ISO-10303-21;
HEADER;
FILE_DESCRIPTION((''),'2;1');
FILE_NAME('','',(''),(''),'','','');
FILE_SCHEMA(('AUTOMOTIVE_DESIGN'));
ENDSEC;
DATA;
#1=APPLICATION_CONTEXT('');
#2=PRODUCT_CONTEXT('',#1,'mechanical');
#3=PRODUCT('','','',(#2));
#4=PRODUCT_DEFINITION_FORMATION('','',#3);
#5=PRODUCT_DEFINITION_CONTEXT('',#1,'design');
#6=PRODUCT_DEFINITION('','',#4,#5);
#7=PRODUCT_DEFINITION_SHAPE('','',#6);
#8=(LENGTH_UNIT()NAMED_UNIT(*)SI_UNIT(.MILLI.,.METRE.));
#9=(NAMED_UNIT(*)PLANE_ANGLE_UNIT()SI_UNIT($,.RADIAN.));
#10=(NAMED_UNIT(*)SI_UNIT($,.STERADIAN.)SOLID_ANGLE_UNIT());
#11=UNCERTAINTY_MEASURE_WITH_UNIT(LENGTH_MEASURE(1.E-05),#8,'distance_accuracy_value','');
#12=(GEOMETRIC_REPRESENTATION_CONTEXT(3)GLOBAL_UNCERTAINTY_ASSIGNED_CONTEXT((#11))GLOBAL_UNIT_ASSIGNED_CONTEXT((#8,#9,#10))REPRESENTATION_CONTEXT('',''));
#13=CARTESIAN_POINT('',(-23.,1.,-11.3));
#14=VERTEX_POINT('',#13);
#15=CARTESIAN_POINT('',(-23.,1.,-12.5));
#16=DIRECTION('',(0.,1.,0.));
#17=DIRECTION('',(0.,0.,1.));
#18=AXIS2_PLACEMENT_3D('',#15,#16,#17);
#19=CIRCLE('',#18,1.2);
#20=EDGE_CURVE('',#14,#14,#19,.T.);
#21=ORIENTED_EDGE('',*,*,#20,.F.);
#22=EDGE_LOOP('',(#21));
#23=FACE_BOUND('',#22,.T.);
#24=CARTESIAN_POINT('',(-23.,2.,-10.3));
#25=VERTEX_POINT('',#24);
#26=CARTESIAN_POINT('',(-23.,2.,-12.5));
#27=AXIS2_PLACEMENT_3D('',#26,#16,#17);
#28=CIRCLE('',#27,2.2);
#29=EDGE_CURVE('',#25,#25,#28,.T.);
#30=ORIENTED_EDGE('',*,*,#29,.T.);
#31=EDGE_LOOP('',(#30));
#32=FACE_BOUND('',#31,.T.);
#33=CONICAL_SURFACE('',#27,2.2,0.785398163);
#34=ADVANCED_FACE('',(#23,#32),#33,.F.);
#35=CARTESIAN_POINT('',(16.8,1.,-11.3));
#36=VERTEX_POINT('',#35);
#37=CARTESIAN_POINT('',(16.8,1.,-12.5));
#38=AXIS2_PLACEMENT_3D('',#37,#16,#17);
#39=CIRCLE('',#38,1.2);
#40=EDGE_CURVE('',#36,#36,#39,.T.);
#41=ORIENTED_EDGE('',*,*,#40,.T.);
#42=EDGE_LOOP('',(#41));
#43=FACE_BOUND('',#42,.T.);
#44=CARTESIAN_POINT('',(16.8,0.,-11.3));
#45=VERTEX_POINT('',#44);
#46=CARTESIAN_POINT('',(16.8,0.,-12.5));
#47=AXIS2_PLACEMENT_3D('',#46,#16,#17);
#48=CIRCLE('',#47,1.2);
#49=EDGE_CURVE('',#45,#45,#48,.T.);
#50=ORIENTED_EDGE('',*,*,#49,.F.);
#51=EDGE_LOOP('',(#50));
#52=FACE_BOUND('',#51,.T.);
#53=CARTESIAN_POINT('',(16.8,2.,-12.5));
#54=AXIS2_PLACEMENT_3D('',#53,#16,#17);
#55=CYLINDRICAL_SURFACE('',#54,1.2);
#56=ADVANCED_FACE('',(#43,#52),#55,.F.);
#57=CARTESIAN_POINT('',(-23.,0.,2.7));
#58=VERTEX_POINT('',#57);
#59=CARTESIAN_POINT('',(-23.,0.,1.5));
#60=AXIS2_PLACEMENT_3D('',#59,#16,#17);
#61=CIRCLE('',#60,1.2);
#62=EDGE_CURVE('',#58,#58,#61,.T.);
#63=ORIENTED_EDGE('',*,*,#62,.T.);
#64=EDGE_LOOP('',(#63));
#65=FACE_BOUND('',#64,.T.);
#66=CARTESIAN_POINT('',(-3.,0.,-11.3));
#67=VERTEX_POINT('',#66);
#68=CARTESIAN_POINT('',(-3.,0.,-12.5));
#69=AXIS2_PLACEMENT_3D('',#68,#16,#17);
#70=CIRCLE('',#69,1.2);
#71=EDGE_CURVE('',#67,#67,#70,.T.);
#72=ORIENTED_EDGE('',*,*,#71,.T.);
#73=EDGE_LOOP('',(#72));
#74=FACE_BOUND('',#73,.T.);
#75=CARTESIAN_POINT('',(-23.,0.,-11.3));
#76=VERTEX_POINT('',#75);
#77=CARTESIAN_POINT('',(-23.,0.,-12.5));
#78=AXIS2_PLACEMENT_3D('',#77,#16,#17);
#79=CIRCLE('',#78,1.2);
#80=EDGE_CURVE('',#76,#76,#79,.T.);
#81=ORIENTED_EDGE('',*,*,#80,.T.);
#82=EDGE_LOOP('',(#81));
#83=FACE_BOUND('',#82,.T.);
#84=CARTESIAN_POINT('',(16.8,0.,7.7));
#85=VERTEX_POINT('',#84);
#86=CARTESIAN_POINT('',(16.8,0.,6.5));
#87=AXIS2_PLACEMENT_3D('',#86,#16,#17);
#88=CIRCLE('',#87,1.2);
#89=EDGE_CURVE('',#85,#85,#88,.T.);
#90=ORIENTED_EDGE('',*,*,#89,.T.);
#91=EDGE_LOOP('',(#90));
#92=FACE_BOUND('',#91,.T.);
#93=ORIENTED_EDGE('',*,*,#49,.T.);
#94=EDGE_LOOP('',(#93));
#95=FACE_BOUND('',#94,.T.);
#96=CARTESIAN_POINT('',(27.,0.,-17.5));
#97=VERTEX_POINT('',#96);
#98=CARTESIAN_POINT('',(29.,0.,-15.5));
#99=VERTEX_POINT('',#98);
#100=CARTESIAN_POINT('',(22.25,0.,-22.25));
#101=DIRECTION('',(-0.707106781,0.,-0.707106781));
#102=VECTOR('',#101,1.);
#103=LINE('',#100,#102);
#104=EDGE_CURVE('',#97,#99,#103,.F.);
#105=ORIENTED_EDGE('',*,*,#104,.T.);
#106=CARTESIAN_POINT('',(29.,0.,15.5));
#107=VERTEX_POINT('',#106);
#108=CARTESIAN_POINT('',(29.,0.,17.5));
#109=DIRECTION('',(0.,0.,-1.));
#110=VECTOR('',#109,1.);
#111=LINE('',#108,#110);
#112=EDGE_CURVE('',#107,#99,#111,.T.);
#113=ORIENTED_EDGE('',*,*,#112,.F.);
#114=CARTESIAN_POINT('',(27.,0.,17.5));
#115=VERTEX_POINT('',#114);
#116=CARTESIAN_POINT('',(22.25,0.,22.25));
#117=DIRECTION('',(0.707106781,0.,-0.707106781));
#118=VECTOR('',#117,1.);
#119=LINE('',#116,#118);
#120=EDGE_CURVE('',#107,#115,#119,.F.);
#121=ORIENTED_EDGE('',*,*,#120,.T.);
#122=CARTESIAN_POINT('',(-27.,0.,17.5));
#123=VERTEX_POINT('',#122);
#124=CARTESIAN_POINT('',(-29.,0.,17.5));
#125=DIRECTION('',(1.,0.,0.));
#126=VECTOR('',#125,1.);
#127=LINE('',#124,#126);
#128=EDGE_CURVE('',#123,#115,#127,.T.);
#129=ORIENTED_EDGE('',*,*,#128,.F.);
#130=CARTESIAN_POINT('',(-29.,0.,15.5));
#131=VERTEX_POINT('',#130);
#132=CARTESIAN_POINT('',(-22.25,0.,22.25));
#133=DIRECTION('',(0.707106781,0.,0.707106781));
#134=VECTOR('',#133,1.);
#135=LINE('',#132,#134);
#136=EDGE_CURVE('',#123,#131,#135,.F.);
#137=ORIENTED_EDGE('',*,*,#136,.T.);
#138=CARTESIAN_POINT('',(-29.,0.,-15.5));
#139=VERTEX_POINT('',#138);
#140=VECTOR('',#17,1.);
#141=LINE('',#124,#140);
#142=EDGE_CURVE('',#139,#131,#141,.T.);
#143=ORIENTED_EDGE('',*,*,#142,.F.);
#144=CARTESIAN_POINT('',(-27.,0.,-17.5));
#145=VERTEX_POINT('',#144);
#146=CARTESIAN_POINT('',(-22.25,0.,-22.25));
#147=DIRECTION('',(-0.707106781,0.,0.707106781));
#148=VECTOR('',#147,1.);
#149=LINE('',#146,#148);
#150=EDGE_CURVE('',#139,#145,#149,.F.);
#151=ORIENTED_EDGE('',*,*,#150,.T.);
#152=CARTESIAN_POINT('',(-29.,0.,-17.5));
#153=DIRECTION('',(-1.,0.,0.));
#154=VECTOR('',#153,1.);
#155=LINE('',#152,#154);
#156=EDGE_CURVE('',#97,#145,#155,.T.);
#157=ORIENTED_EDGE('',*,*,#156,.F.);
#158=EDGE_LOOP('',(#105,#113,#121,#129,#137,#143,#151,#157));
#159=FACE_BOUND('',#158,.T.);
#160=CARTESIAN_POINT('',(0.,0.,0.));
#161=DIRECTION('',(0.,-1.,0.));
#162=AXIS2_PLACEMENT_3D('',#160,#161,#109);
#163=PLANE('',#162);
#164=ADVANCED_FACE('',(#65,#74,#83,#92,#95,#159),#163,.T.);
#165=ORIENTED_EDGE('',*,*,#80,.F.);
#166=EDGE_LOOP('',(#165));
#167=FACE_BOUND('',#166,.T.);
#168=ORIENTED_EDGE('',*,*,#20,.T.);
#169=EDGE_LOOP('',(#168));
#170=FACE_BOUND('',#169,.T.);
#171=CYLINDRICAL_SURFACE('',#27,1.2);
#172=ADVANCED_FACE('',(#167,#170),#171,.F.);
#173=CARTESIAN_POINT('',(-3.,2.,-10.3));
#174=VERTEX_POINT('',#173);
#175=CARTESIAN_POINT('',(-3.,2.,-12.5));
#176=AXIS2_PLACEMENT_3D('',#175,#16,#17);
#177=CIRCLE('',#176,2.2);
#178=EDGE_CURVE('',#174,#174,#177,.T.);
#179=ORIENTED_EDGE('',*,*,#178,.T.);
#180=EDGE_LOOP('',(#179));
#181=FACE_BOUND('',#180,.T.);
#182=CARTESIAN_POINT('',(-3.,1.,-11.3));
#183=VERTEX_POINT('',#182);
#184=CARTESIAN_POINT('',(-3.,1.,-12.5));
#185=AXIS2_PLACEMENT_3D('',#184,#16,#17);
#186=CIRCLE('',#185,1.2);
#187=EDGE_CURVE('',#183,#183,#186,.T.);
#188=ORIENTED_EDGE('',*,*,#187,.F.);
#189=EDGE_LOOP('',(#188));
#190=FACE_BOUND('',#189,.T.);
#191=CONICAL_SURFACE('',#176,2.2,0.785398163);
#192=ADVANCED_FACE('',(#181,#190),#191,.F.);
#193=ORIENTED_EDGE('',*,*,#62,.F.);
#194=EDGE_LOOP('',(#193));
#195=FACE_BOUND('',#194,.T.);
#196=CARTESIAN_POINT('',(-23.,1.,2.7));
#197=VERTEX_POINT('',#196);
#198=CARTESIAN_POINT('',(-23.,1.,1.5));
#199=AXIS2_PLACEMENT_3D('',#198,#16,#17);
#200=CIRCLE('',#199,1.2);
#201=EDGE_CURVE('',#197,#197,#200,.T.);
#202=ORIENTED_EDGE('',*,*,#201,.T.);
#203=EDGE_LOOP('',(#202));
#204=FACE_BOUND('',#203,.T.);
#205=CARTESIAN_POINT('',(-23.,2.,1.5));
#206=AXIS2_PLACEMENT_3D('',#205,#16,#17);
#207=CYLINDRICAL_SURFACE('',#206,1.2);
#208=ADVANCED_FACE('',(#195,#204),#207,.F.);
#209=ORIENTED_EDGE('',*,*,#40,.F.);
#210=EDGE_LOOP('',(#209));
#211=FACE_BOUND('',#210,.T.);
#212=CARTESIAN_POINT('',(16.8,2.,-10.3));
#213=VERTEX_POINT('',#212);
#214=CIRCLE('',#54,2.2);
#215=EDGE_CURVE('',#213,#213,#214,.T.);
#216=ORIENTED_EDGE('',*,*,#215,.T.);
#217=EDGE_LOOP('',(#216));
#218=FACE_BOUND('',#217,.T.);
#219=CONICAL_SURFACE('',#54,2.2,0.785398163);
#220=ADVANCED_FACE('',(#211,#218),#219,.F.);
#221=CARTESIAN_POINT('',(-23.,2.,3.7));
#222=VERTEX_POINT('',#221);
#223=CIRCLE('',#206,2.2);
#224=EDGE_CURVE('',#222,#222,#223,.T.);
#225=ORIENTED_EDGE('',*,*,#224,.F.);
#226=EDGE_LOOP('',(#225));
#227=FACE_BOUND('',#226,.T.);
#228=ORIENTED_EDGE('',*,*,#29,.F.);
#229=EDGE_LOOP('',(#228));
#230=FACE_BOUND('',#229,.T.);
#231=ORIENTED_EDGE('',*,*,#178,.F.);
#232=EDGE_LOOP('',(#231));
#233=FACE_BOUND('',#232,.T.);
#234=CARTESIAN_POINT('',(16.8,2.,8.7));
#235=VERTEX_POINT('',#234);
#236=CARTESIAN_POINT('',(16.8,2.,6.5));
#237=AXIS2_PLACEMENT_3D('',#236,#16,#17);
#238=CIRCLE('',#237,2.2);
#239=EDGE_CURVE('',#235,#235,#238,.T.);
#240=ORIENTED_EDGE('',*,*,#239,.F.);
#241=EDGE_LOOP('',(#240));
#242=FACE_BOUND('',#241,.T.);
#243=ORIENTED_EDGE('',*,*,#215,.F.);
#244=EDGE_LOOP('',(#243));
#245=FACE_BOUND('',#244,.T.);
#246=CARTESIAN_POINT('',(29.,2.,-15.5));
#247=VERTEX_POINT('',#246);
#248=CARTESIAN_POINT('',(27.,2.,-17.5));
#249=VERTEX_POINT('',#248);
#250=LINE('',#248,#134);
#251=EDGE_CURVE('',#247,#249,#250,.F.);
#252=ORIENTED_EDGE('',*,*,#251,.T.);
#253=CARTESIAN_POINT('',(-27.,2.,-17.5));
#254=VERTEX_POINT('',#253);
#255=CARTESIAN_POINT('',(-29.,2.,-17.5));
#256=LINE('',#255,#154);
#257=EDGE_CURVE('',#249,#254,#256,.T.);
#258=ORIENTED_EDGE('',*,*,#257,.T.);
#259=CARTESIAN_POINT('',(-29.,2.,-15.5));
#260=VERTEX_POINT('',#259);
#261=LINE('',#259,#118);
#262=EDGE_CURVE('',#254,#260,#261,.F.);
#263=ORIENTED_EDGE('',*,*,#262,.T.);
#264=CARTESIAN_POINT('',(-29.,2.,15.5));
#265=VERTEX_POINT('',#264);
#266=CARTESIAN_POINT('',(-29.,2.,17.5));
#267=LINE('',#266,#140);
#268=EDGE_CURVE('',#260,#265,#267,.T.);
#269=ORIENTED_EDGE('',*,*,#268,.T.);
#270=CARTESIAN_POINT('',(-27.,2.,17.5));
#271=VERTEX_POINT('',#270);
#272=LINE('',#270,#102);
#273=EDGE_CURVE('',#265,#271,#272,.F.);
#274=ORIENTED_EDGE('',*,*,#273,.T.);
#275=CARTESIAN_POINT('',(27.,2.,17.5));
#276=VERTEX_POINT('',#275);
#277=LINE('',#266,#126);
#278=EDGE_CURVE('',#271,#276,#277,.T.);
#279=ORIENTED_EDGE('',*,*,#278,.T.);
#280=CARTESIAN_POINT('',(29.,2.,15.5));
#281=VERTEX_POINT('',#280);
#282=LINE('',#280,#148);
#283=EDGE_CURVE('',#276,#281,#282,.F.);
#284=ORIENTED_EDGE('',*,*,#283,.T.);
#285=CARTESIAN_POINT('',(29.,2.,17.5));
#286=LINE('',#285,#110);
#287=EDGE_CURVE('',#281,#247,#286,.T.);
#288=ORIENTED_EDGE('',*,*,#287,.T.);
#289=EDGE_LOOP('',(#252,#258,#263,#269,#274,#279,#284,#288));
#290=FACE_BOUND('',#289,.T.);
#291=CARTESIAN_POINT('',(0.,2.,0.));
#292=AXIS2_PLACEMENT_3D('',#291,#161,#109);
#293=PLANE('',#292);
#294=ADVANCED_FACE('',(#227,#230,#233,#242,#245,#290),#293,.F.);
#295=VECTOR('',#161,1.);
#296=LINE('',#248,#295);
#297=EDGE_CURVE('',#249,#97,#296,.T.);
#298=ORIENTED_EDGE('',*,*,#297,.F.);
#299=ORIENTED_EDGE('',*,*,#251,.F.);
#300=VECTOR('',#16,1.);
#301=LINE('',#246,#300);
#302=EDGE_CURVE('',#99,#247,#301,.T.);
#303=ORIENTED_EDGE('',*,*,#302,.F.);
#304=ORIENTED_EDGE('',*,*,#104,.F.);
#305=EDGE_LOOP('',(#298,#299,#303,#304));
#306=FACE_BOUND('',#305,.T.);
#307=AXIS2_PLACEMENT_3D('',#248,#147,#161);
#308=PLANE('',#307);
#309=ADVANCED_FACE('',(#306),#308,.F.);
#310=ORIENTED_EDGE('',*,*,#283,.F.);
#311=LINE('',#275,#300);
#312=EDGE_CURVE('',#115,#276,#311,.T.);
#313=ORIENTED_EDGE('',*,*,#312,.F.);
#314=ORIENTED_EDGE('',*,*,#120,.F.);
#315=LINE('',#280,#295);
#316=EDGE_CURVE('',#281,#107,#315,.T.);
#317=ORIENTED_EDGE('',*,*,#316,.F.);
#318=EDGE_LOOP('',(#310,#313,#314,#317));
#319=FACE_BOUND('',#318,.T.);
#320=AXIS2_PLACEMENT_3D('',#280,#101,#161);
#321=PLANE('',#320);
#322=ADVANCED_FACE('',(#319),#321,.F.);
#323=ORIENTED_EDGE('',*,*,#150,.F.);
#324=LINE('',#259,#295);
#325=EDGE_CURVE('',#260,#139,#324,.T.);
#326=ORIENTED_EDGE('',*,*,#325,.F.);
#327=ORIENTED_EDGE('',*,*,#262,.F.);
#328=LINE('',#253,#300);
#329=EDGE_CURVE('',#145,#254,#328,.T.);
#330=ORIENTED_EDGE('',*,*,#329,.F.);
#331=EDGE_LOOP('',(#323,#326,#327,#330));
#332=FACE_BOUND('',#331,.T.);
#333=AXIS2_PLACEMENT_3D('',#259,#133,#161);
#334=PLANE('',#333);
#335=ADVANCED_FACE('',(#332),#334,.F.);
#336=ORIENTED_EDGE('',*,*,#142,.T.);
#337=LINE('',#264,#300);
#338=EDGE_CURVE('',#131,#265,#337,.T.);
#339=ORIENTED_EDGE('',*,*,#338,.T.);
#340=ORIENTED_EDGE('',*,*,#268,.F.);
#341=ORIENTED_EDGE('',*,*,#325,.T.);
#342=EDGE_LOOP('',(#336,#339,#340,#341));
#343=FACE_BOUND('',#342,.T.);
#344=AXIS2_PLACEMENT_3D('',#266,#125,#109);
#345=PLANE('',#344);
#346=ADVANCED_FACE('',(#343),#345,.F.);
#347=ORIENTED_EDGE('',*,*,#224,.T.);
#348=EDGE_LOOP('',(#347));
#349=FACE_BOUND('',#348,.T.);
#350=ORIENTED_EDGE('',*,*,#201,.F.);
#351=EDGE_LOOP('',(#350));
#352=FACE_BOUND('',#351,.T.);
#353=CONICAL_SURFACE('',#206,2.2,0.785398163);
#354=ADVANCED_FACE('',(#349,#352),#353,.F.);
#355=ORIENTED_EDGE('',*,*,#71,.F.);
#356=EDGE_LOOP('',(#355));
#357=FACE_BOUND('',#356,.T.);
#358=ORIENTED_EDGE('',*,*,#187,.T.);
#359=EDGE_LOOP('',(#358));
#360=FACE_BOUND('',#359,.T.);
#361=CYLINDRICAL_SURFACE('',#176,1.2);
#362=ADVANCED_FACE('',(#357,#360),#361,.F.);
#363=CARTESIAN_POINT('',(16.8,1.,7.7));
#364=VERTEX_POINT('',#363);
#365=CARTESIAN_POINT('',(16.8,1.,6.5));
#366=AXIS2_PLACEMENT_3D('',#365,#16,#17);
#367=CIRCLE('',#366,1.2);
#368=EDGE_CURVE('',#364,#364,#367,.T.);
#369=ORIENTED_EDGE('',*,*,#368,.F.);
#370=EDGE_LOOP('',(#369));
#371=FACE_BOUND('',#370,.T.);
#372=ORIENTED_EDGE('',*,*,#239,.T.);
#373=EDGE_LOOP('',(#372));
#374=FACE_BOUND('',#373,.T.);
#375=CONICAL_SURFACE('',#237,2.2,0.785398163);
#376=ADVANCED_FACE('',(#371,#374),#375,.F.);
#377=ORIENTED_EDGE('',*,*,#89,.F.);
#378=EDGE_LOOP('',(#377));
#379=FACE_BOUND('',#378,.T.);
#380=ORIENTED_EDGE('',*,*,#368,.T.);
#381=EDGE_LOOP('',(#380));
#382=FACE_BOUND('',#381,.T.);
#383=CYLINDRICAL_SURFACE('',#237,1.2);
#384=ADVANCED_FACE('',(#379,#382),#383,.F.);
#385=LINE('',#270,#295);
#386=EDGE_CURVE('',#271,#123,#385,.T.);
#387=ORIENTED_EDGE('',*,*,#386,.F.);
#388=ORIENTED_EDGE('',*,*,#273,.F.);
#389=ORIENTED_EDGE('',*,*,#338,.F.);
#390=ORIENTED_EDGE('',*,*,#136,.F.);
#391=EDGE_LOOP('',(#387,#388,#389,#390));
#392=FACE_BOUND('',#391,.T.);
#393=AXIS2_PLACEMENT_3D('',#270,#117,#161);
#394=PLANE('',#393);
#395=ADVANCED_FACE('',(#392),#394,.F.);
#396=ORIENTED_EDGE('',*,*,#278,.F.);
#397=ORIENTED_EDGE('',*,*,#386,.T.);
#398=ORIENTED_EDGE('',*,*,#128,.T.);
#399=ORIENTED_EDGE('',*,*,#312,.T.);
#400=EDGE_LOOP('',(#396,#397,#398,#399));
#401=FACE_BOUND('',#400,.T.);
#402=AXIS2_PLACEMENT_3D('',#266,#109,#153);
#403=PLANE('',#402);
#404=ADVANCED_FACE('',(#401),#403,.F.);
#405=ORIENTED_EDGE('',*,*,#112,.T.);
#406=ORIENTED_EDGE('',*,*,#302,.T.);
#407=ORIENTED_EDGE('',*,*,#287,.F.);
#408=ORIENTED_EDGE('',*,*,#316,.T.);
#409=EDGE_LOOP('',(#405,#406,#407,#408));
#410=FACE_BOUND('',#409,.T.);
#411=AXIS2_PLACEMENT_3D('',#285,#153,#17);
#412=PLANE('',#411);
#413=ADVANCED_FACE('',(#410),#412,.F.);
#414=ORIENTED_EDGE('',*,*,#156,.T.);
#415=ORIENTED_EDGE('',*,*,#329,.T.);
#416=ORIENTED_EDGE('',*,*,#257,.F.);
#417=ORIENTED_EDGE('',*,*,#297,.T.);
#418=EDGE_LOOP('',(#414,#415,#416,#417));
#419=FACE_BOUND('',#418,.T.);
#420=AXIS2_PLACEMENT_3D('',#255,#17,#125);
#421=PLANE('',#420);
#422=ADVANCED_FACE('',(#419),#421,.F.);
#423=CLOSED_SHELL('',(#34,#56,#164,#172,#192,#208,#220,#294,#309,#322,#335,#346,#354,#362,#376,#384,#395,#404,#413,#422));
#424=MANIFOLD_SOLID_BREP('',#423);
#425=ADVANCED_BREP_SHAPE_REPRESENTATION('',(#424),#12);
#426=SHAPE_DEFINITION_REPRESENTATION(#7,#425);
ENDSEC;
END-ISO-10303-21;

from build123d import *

# Parameters (mm, degrees)
SKETCH1_W                                    = 58
SKETCH1_H                                    = 35
BOSS_EXTRUDE1_DEPTH                          = 2
CSK_FOR_ST2_2_CROSS_RECESSED_CTSK_HE_2_COUNT = 2
CSK_FOR_ST2_2_CROSS_RECESSED_CTSK_HE_2_PITCH = 20
CSK_FOR_ST2_2_CROSS_RECESSED_CTSK_HE_3_COUNT = 2
CSK_FOR_ST2_2_CROSS_RECESSED_CTSK_HE_3_PITCH = 39.8
CSK_FOR_ST2_2_CROSS_RECESSED_CTSK_HE_4_COUNT = 2
CSK_FOR_ST2_2_CROSS_RECESSED_CTSK_HE_4_PITCH = 44.102607633
CSK_FOR_ST2_2_CROSS_RECESSED_CTSK_HE_5_COUNT = 2
CSK_FOR_ST2_2_CROSS_RECESSED_CTSK_HE_5_PITCH = 14
CHAMFER1_SIZE                                = 2


with BuildPart() as part:
    # Sketch1 → Boss-Extrude1 (new body)
    with BuildSketch(Plane(origin=(0, 0, 0), x_dir=(1, 0, 0), z_dir=(0, 1, 0))):
        Rectangle(SKETCH1_W, SKETCH1_H)
    extrude(amount=BOSS_EXTRUDE1_DEPTH)

    # Sketch3 → CSK for ST2.2 Cross recessed CTSK head tapping screws1 (revolve, cut)
    with BuildSketch(Plane(origin=(-23, 2, -12.5), x_dir=(0, 0, 1), z_dir=(1, 0, 0))):
        Polygon((0, 0), (0, 2), (1.2, 2), (1.2, 1), (2.2, 0), align=None)
    csk_for_st2_2_cross_recessed_ctsk_head_t = revolve(axis=Axis((-23, 8.35, -12.5), (0, -1, 0)), mode=Mode.SUBTRACT)

    # CSK for ST2.2 Cross recessed CTSK he 2: CSK for ST2.2 Cross recessed CTSK head tapping screws1 ×2
    with Locations(*[(i * CSK_FOR_ST2_2_CROSS_RECESSED_CTSK_HE_2_PITCH, 0, 0) for i in range(1, CSK_FOR_ST2_2_CROSS_RECESSED_CTSK_HE_2_COUNT)]):
        add(csk_for_st2_2_cross_recessed_ctsk_head_t, mode=Mode.SUBTRACT)

    # CSK for ST2.2 Cross recessed CTSK he 3: CSK for ST2.2 Cross recessed CTSK head tapping screws1 ×2
    with Locations(*[(i * CSK_FOR_ST2_2_CROSS_RECESSED_CTSK_HE_3_PITCH, 0, 0) for i in range(1, CSK_FOR_ST2_2_CROSS_RECESSED_CTSK_HE_3_COUNT)]):
        add(csk_for_st2_2_cross_recessed_ctsk_head_t, mode=Mode.SUBTRACT)

    # CSK for ST2.2 Cross recessed CTSK he 4: CSK for ST2.2 Cross recessed CTSK head tapping screws1 ×2
    with Locations(*[Vector(0.9024409697382602, 0, 0.4308135282670086) * (i * CSK_FOR_ST2_2_CROSS_RECESSED_CTSK_HE_4_PITCH) for i in range(1, CSK_FOR_ST2_2_CROSS_RECESSED_CTSK_HE_4_COUNT)]):
        add(csk_for_st2_2_cross_recessed_ctsk_head_t, mode=Mode.SUBTRACT)

    # CSK for ST2.2 Cross recessed CTSK he 5: CSK for ST2.2 Cross recessed CTSK head tapping screws1 ×2
    with Locations(*[(0, 0, i * CSK_FOR_ST2_2_CROSS_RECESSED_CTSK_HE_5_PITCH) for i in range(1, CSK_FOR_ST2_2_CROSS_RECESSED_CTSK_HE_5_COUNT)]):
        add(csk_for_st2_2_cross_recessed_ctsk_head_t, mode=Mode.SUBTRACT)

    # Chamfer1
    chamfer1_edges = [part.edges().sort_by_distance(p)[0] for p in [
        (29, 1, 17.5),
        (-29, 1, 17.5),
        (-29, 1, -17.5),
        (29, 1, -17.5),
    ]]
    chamfer(chamfer1_edges, length=CHAMFER1_SIZE)


solid = part.part
